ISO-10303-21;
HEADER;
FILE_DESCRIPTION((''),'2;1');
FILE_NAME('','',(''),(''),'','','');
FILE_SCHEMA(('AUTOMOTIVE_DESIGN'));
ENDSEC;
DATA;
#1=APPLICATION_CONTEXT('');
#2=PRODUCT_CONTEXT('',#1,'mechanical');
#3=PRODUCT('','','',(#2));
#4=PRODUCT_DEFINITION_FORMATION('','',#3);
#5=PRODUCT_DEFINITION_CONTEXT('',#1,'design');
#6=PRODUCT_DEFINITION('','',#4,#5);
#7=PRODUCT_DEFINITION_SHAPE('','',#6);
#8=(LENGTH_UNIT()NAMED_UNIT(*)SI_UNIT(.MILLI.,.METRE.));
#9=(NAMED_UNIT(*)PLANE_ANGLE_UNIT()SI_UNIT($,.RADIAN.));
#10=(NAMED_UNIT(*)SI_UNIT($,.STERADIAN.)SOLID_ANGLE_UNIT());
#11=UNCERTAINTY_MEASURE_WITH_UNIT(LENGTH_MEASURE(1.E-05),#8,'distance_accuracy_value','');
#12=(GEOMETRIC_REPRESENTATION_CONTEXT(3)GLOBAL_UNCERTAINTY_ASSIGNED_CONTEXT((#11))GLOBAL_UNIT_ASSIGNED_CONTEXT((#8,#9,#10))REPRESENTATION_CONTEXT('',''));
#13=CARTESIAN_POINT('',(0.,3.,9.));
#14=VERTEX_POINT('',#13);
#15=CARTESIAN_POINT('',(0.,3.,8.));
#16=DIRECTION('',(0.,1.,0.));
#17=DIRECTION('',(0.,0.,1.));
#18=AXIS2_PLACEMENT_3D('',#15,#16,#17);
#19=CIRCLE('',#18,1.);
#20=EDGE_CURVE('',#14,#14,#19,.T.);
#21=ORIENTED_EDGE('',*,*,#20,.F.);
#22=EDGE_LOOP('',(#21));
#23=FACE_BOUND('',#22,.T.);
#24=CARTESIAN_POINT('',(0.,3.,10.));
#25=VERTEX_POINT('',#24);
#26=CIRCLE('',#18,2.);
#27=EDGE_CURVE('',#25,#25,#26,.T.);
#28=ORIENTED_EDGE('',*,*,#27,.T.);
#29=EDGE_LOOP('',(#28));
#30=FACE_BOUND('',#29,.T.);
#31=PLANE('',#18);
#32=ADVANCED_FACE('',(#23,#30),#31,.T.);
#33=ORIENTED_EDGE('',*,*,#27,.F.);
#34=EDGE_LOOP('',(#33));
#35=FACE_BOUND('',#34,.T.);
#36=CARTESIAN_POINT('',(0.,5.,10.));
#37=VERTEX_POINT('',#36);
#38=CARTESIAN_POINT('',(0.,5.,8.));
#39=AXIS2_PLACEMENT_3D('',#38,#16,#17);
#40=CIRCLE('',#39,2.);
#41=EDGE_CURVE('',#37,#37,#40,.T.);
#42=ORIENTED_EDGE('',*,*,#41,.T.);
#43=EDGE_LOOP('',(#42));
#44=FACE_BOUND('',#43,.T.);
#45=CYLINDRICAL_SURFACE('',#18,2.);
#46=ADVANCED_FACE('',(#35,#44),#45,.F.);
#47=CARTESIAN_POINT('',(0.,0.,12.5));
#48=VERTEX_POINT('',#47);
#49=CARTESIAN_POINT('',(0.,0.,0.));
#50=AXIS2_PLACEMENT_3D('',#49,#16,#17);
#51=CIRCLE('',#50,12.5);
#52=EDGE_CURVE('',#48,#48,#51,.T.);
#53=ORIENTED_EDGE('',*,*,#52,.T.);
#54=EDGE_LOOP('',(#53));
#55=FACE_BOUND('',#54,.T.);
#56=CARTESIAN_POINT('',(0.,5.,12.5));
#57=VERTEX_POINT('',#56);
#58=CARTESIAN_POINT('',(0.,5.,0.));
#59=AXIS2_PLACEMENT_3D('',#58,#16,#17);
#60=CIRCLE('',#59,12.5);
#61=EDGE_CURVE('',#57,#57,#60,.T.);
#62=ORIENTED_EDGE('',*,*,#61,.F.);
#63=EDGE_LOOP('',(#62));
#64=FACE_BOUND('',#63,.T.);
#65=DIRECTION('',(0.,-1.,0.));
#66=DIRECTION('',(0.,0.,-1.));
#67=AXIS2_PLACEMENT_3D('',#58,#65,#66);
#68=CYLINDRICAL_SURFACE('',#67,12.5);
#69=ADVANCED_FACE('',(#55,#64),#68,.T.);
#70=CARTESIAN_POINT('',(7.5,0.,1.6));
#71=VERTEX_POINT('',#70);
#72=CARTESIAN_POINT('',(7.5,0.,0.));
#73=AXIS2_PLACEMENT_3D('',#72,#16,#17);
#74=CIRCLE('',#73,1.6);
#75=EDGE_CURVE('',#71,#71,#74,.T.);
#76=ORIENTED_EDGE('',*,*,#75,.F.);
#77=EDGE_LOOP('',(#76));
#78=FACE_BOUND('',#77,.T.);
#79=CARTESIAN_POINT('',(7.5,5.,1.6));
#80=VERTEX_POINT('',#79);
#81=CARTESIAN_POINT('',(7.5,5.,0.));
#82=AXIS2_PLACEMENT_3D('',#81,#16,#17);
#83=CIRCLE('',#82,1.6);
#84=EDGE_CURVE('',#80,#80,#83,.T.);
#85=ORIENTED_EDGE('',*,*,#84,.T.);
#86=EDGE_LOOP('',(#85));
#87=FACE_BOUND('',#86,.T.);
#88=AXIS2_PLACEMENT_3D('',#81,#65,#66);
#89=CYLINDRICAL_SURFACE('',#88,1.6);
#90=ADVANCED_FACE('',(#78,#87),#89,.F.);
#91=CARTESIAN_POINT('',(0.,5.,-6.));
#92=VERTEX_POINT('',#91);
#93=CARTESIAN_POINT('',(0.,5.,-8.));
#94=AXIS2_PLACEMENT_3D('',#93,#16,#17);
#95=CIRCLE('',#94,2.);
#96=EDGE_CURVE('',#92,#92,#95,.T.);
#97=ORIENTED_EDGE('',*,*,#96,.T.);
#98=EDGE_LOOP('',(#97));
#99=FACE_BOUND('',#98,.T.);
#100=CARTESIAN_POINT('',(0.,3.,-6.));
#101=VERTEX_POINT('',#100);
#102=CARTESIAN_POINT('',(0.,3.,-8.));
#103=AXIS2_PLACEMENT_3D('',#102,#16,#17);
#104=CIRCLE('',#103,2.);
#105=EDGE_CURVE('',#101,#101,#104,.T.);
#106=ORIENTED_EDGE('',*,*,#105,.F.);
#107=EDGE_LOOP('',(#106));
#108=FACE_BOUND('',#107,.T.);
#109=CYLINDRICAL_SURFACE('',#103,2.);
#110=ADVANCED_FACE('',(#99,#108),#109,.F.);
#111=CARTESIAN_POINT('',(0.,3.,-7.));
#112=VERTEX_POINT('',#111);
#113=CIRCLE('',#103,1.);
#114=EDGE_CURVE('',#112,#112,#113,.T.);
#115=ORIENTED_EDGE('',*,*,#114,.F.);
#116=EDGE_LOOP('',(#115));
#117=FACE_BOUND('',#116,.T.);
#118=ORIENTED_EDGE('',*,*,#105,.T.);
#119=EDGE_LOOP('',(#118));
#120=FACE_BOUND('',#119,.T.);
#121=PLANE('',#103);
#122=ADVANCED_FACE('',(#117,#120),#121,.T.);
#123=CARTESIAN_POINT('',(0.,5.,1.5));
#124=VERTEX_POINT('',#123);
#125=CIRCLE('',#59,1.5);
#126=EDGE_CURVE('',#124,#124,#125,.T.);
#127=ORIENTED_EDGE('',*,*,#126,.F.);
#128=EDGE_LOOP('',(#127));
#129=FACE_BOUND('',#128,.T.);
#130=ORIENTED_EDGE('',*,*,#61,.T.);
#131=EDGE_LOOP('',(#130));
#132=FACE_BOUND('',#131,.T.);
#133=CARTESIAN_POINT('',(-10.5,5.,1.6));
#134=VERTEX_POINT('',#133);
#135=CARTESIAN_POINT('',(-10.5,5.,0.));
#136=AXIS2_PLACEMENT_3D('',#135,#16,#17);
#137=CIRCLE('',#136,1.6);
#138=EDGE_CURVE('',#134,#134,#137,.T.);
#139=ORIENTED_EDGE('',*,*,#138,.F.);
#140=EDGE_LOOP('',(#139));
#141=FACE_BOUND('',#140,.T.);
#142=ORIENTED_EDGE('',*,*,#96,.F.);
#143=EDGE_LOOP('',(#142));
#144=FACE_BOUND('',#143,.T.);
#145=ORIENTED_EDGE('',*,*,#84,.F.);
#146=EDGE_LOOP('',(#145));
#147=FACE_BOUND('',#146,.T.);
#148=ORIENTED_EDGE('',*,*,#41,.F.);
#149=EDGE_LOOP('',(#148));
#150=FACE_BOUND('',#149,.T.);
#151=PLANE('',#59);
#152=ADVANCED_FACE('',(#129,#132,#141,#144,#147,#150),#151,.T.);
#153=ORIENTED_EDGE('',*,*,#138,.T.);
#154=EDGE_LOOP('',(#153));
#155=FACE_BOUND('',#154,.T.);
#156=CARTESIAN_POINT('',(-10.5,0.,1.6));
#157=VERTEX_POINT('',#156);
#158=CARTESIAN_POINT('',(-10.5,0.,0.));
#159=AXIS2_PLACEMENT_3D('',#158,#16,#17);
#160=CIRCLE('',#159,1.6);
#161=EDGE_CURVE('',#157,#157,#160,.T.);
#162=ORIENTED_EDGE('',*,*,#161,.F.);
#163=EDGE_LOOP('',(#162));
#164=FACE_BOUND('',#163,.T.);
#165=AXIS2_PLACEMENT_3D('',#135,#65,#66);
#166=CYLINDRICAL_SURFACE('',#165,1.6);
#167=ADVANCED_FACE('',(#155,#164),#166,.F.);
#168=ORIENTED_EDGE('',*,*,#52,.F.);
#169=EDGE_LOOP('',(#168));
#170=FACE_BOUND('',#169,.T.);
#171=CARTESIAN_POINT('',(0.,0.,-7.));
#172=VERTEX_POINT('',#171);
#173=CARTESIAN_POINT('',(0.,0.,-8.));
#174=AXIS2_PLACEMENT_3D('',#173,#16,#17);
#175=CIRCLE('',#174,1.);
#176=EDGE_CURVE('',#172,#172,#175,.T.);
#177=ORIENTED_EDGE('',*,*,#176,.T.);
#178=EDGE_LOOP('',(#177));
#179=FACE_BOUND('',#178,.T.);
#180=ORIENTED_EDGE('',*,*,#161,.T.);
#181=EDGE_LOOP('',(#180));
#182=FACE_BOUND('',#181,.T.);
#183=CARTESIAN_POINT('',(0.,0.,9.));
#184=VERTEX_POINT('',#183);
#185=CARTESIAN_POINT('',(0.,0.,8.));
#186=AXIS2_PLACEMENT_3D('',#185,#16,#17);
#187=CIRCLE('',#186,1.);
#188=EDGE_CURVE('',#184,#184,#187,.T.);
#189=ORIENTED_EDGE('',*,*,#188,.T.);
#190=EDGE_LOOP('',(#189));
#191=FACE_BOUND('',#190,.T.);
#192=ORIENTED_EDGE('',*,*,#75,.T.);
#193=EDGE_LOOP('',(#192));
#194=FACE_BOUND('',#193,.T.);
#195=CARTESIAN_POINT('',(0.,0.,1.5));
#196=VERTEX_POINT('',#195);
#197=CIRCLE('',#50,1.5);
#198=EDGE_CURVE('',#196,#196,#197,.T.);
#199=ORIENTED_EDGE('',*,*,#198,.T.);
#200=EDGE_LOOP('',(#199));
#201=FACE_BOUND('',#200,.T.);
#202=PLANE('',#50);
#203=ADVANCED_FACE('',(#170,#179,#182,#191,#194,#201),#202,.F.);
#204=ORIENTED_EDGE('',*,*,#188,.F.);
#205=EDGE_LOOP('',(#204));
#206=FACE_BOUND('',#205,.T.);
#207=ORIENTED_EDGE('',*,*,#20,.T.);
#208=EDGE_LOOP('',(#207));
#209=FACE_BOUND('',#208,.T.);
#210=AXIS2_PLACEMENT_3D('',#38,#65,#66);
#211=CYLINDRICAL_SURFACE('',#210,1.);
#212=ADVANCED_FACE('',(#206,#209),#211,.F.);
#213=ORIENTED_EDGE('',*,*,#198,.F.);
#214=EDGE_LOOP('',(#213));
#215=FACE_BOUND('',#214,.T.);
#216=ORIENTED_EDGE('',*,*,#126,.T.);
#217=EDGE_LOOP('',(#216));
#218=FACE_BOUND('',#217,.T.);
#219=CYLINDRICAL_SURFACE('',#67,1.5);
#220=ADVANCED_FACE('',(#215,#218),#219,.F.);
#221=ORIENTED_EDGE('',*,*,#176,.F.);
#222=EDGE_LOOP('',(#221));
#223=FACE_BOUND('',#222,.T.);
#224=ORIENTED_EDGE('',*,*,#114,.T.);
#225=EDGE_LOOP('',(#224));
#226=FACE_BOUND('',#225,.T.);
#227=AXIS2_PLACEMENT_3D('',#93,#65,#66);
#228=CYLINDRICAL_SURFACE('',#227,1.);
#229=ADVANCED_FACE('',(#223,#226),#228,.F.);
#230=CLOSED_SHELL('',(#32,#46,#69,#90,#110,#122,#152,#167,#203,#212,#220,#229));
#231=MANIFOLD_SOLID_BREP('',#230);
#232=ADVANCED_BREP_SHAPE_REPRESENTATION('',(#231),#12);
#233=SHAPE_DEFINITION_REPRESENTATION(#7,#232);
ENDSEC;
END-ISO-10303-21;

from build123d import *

# Parameters (mm, degrees)
SKETCH1_R           = 12.5
SKETCH1_R_2         = 1
SKETCH1_R_3         = 1.5
SKETCH1_R_4         = 1.6
BOSS_EXTRUDE1_DEPTH = 5
SKETCH2_R           = 2
CUT_EXTRUDE1_DEPTH  = 2


with BuildPart() as part:
    # Sketch1 → Boss-Extrude1 (new body)
    with BuildSketch(Plane(origin=(0, 0, 0), x_dir=(1, 0, 0), z_dir=(0, 1, 0))):
        with Locations(Location((0, 0, 0), (0, 0, 270))):
            Circle(SKETCH1_R)
        with Locations(Location((0, -8, 0), (0, 0, 270))):
            Circle(SKETCH1_R_2, mode=Mode.SUBTRACT)
        with Locations(Location((0, 8, 0), (0, 0, 270))):
            Circle(SKETCH1_R_2, mode=Mode.SUBTRACT)
        with Locations(Location((0, 0, 0), (0, 0, 270))):
            Circle(SKETCH1_R_3, mode=Mode.SUBTRACT)
        with Locations(Location((-10.5, 0, 0), (0, 0, 270))):
            Circle(SKETCH1_R_4, mode=Mode.SUBTRACT)
        with Locations(Location((7.5, 0, 0), (0, 0, 270))):
            Circle(SKETCH1_R_4, mode=Mode.SUBTRACT)
    extrude(amount=BOSS_EXTRUDE1_DEPTH)

    # Sketch2 → Cut-Extrude1 (cut)
    with BuildSketch(Plane(origin=(0, 5, 0), x_dir=(1, 0, 0), z_dir=(0, 1, 0))):
        with Locations(Location((0, 8, 0), (0, 0, 270))):
            Circle(SKETCH2_R)
        with Locations(Location((0, -8, 0), (0, 0, 270))):
            Circle(SKETCH2_R)
    extrude(amount=-CUT_EXTRUDE1_DEPTH, mode=Mode.SUBTRACT)


solid = part.part
